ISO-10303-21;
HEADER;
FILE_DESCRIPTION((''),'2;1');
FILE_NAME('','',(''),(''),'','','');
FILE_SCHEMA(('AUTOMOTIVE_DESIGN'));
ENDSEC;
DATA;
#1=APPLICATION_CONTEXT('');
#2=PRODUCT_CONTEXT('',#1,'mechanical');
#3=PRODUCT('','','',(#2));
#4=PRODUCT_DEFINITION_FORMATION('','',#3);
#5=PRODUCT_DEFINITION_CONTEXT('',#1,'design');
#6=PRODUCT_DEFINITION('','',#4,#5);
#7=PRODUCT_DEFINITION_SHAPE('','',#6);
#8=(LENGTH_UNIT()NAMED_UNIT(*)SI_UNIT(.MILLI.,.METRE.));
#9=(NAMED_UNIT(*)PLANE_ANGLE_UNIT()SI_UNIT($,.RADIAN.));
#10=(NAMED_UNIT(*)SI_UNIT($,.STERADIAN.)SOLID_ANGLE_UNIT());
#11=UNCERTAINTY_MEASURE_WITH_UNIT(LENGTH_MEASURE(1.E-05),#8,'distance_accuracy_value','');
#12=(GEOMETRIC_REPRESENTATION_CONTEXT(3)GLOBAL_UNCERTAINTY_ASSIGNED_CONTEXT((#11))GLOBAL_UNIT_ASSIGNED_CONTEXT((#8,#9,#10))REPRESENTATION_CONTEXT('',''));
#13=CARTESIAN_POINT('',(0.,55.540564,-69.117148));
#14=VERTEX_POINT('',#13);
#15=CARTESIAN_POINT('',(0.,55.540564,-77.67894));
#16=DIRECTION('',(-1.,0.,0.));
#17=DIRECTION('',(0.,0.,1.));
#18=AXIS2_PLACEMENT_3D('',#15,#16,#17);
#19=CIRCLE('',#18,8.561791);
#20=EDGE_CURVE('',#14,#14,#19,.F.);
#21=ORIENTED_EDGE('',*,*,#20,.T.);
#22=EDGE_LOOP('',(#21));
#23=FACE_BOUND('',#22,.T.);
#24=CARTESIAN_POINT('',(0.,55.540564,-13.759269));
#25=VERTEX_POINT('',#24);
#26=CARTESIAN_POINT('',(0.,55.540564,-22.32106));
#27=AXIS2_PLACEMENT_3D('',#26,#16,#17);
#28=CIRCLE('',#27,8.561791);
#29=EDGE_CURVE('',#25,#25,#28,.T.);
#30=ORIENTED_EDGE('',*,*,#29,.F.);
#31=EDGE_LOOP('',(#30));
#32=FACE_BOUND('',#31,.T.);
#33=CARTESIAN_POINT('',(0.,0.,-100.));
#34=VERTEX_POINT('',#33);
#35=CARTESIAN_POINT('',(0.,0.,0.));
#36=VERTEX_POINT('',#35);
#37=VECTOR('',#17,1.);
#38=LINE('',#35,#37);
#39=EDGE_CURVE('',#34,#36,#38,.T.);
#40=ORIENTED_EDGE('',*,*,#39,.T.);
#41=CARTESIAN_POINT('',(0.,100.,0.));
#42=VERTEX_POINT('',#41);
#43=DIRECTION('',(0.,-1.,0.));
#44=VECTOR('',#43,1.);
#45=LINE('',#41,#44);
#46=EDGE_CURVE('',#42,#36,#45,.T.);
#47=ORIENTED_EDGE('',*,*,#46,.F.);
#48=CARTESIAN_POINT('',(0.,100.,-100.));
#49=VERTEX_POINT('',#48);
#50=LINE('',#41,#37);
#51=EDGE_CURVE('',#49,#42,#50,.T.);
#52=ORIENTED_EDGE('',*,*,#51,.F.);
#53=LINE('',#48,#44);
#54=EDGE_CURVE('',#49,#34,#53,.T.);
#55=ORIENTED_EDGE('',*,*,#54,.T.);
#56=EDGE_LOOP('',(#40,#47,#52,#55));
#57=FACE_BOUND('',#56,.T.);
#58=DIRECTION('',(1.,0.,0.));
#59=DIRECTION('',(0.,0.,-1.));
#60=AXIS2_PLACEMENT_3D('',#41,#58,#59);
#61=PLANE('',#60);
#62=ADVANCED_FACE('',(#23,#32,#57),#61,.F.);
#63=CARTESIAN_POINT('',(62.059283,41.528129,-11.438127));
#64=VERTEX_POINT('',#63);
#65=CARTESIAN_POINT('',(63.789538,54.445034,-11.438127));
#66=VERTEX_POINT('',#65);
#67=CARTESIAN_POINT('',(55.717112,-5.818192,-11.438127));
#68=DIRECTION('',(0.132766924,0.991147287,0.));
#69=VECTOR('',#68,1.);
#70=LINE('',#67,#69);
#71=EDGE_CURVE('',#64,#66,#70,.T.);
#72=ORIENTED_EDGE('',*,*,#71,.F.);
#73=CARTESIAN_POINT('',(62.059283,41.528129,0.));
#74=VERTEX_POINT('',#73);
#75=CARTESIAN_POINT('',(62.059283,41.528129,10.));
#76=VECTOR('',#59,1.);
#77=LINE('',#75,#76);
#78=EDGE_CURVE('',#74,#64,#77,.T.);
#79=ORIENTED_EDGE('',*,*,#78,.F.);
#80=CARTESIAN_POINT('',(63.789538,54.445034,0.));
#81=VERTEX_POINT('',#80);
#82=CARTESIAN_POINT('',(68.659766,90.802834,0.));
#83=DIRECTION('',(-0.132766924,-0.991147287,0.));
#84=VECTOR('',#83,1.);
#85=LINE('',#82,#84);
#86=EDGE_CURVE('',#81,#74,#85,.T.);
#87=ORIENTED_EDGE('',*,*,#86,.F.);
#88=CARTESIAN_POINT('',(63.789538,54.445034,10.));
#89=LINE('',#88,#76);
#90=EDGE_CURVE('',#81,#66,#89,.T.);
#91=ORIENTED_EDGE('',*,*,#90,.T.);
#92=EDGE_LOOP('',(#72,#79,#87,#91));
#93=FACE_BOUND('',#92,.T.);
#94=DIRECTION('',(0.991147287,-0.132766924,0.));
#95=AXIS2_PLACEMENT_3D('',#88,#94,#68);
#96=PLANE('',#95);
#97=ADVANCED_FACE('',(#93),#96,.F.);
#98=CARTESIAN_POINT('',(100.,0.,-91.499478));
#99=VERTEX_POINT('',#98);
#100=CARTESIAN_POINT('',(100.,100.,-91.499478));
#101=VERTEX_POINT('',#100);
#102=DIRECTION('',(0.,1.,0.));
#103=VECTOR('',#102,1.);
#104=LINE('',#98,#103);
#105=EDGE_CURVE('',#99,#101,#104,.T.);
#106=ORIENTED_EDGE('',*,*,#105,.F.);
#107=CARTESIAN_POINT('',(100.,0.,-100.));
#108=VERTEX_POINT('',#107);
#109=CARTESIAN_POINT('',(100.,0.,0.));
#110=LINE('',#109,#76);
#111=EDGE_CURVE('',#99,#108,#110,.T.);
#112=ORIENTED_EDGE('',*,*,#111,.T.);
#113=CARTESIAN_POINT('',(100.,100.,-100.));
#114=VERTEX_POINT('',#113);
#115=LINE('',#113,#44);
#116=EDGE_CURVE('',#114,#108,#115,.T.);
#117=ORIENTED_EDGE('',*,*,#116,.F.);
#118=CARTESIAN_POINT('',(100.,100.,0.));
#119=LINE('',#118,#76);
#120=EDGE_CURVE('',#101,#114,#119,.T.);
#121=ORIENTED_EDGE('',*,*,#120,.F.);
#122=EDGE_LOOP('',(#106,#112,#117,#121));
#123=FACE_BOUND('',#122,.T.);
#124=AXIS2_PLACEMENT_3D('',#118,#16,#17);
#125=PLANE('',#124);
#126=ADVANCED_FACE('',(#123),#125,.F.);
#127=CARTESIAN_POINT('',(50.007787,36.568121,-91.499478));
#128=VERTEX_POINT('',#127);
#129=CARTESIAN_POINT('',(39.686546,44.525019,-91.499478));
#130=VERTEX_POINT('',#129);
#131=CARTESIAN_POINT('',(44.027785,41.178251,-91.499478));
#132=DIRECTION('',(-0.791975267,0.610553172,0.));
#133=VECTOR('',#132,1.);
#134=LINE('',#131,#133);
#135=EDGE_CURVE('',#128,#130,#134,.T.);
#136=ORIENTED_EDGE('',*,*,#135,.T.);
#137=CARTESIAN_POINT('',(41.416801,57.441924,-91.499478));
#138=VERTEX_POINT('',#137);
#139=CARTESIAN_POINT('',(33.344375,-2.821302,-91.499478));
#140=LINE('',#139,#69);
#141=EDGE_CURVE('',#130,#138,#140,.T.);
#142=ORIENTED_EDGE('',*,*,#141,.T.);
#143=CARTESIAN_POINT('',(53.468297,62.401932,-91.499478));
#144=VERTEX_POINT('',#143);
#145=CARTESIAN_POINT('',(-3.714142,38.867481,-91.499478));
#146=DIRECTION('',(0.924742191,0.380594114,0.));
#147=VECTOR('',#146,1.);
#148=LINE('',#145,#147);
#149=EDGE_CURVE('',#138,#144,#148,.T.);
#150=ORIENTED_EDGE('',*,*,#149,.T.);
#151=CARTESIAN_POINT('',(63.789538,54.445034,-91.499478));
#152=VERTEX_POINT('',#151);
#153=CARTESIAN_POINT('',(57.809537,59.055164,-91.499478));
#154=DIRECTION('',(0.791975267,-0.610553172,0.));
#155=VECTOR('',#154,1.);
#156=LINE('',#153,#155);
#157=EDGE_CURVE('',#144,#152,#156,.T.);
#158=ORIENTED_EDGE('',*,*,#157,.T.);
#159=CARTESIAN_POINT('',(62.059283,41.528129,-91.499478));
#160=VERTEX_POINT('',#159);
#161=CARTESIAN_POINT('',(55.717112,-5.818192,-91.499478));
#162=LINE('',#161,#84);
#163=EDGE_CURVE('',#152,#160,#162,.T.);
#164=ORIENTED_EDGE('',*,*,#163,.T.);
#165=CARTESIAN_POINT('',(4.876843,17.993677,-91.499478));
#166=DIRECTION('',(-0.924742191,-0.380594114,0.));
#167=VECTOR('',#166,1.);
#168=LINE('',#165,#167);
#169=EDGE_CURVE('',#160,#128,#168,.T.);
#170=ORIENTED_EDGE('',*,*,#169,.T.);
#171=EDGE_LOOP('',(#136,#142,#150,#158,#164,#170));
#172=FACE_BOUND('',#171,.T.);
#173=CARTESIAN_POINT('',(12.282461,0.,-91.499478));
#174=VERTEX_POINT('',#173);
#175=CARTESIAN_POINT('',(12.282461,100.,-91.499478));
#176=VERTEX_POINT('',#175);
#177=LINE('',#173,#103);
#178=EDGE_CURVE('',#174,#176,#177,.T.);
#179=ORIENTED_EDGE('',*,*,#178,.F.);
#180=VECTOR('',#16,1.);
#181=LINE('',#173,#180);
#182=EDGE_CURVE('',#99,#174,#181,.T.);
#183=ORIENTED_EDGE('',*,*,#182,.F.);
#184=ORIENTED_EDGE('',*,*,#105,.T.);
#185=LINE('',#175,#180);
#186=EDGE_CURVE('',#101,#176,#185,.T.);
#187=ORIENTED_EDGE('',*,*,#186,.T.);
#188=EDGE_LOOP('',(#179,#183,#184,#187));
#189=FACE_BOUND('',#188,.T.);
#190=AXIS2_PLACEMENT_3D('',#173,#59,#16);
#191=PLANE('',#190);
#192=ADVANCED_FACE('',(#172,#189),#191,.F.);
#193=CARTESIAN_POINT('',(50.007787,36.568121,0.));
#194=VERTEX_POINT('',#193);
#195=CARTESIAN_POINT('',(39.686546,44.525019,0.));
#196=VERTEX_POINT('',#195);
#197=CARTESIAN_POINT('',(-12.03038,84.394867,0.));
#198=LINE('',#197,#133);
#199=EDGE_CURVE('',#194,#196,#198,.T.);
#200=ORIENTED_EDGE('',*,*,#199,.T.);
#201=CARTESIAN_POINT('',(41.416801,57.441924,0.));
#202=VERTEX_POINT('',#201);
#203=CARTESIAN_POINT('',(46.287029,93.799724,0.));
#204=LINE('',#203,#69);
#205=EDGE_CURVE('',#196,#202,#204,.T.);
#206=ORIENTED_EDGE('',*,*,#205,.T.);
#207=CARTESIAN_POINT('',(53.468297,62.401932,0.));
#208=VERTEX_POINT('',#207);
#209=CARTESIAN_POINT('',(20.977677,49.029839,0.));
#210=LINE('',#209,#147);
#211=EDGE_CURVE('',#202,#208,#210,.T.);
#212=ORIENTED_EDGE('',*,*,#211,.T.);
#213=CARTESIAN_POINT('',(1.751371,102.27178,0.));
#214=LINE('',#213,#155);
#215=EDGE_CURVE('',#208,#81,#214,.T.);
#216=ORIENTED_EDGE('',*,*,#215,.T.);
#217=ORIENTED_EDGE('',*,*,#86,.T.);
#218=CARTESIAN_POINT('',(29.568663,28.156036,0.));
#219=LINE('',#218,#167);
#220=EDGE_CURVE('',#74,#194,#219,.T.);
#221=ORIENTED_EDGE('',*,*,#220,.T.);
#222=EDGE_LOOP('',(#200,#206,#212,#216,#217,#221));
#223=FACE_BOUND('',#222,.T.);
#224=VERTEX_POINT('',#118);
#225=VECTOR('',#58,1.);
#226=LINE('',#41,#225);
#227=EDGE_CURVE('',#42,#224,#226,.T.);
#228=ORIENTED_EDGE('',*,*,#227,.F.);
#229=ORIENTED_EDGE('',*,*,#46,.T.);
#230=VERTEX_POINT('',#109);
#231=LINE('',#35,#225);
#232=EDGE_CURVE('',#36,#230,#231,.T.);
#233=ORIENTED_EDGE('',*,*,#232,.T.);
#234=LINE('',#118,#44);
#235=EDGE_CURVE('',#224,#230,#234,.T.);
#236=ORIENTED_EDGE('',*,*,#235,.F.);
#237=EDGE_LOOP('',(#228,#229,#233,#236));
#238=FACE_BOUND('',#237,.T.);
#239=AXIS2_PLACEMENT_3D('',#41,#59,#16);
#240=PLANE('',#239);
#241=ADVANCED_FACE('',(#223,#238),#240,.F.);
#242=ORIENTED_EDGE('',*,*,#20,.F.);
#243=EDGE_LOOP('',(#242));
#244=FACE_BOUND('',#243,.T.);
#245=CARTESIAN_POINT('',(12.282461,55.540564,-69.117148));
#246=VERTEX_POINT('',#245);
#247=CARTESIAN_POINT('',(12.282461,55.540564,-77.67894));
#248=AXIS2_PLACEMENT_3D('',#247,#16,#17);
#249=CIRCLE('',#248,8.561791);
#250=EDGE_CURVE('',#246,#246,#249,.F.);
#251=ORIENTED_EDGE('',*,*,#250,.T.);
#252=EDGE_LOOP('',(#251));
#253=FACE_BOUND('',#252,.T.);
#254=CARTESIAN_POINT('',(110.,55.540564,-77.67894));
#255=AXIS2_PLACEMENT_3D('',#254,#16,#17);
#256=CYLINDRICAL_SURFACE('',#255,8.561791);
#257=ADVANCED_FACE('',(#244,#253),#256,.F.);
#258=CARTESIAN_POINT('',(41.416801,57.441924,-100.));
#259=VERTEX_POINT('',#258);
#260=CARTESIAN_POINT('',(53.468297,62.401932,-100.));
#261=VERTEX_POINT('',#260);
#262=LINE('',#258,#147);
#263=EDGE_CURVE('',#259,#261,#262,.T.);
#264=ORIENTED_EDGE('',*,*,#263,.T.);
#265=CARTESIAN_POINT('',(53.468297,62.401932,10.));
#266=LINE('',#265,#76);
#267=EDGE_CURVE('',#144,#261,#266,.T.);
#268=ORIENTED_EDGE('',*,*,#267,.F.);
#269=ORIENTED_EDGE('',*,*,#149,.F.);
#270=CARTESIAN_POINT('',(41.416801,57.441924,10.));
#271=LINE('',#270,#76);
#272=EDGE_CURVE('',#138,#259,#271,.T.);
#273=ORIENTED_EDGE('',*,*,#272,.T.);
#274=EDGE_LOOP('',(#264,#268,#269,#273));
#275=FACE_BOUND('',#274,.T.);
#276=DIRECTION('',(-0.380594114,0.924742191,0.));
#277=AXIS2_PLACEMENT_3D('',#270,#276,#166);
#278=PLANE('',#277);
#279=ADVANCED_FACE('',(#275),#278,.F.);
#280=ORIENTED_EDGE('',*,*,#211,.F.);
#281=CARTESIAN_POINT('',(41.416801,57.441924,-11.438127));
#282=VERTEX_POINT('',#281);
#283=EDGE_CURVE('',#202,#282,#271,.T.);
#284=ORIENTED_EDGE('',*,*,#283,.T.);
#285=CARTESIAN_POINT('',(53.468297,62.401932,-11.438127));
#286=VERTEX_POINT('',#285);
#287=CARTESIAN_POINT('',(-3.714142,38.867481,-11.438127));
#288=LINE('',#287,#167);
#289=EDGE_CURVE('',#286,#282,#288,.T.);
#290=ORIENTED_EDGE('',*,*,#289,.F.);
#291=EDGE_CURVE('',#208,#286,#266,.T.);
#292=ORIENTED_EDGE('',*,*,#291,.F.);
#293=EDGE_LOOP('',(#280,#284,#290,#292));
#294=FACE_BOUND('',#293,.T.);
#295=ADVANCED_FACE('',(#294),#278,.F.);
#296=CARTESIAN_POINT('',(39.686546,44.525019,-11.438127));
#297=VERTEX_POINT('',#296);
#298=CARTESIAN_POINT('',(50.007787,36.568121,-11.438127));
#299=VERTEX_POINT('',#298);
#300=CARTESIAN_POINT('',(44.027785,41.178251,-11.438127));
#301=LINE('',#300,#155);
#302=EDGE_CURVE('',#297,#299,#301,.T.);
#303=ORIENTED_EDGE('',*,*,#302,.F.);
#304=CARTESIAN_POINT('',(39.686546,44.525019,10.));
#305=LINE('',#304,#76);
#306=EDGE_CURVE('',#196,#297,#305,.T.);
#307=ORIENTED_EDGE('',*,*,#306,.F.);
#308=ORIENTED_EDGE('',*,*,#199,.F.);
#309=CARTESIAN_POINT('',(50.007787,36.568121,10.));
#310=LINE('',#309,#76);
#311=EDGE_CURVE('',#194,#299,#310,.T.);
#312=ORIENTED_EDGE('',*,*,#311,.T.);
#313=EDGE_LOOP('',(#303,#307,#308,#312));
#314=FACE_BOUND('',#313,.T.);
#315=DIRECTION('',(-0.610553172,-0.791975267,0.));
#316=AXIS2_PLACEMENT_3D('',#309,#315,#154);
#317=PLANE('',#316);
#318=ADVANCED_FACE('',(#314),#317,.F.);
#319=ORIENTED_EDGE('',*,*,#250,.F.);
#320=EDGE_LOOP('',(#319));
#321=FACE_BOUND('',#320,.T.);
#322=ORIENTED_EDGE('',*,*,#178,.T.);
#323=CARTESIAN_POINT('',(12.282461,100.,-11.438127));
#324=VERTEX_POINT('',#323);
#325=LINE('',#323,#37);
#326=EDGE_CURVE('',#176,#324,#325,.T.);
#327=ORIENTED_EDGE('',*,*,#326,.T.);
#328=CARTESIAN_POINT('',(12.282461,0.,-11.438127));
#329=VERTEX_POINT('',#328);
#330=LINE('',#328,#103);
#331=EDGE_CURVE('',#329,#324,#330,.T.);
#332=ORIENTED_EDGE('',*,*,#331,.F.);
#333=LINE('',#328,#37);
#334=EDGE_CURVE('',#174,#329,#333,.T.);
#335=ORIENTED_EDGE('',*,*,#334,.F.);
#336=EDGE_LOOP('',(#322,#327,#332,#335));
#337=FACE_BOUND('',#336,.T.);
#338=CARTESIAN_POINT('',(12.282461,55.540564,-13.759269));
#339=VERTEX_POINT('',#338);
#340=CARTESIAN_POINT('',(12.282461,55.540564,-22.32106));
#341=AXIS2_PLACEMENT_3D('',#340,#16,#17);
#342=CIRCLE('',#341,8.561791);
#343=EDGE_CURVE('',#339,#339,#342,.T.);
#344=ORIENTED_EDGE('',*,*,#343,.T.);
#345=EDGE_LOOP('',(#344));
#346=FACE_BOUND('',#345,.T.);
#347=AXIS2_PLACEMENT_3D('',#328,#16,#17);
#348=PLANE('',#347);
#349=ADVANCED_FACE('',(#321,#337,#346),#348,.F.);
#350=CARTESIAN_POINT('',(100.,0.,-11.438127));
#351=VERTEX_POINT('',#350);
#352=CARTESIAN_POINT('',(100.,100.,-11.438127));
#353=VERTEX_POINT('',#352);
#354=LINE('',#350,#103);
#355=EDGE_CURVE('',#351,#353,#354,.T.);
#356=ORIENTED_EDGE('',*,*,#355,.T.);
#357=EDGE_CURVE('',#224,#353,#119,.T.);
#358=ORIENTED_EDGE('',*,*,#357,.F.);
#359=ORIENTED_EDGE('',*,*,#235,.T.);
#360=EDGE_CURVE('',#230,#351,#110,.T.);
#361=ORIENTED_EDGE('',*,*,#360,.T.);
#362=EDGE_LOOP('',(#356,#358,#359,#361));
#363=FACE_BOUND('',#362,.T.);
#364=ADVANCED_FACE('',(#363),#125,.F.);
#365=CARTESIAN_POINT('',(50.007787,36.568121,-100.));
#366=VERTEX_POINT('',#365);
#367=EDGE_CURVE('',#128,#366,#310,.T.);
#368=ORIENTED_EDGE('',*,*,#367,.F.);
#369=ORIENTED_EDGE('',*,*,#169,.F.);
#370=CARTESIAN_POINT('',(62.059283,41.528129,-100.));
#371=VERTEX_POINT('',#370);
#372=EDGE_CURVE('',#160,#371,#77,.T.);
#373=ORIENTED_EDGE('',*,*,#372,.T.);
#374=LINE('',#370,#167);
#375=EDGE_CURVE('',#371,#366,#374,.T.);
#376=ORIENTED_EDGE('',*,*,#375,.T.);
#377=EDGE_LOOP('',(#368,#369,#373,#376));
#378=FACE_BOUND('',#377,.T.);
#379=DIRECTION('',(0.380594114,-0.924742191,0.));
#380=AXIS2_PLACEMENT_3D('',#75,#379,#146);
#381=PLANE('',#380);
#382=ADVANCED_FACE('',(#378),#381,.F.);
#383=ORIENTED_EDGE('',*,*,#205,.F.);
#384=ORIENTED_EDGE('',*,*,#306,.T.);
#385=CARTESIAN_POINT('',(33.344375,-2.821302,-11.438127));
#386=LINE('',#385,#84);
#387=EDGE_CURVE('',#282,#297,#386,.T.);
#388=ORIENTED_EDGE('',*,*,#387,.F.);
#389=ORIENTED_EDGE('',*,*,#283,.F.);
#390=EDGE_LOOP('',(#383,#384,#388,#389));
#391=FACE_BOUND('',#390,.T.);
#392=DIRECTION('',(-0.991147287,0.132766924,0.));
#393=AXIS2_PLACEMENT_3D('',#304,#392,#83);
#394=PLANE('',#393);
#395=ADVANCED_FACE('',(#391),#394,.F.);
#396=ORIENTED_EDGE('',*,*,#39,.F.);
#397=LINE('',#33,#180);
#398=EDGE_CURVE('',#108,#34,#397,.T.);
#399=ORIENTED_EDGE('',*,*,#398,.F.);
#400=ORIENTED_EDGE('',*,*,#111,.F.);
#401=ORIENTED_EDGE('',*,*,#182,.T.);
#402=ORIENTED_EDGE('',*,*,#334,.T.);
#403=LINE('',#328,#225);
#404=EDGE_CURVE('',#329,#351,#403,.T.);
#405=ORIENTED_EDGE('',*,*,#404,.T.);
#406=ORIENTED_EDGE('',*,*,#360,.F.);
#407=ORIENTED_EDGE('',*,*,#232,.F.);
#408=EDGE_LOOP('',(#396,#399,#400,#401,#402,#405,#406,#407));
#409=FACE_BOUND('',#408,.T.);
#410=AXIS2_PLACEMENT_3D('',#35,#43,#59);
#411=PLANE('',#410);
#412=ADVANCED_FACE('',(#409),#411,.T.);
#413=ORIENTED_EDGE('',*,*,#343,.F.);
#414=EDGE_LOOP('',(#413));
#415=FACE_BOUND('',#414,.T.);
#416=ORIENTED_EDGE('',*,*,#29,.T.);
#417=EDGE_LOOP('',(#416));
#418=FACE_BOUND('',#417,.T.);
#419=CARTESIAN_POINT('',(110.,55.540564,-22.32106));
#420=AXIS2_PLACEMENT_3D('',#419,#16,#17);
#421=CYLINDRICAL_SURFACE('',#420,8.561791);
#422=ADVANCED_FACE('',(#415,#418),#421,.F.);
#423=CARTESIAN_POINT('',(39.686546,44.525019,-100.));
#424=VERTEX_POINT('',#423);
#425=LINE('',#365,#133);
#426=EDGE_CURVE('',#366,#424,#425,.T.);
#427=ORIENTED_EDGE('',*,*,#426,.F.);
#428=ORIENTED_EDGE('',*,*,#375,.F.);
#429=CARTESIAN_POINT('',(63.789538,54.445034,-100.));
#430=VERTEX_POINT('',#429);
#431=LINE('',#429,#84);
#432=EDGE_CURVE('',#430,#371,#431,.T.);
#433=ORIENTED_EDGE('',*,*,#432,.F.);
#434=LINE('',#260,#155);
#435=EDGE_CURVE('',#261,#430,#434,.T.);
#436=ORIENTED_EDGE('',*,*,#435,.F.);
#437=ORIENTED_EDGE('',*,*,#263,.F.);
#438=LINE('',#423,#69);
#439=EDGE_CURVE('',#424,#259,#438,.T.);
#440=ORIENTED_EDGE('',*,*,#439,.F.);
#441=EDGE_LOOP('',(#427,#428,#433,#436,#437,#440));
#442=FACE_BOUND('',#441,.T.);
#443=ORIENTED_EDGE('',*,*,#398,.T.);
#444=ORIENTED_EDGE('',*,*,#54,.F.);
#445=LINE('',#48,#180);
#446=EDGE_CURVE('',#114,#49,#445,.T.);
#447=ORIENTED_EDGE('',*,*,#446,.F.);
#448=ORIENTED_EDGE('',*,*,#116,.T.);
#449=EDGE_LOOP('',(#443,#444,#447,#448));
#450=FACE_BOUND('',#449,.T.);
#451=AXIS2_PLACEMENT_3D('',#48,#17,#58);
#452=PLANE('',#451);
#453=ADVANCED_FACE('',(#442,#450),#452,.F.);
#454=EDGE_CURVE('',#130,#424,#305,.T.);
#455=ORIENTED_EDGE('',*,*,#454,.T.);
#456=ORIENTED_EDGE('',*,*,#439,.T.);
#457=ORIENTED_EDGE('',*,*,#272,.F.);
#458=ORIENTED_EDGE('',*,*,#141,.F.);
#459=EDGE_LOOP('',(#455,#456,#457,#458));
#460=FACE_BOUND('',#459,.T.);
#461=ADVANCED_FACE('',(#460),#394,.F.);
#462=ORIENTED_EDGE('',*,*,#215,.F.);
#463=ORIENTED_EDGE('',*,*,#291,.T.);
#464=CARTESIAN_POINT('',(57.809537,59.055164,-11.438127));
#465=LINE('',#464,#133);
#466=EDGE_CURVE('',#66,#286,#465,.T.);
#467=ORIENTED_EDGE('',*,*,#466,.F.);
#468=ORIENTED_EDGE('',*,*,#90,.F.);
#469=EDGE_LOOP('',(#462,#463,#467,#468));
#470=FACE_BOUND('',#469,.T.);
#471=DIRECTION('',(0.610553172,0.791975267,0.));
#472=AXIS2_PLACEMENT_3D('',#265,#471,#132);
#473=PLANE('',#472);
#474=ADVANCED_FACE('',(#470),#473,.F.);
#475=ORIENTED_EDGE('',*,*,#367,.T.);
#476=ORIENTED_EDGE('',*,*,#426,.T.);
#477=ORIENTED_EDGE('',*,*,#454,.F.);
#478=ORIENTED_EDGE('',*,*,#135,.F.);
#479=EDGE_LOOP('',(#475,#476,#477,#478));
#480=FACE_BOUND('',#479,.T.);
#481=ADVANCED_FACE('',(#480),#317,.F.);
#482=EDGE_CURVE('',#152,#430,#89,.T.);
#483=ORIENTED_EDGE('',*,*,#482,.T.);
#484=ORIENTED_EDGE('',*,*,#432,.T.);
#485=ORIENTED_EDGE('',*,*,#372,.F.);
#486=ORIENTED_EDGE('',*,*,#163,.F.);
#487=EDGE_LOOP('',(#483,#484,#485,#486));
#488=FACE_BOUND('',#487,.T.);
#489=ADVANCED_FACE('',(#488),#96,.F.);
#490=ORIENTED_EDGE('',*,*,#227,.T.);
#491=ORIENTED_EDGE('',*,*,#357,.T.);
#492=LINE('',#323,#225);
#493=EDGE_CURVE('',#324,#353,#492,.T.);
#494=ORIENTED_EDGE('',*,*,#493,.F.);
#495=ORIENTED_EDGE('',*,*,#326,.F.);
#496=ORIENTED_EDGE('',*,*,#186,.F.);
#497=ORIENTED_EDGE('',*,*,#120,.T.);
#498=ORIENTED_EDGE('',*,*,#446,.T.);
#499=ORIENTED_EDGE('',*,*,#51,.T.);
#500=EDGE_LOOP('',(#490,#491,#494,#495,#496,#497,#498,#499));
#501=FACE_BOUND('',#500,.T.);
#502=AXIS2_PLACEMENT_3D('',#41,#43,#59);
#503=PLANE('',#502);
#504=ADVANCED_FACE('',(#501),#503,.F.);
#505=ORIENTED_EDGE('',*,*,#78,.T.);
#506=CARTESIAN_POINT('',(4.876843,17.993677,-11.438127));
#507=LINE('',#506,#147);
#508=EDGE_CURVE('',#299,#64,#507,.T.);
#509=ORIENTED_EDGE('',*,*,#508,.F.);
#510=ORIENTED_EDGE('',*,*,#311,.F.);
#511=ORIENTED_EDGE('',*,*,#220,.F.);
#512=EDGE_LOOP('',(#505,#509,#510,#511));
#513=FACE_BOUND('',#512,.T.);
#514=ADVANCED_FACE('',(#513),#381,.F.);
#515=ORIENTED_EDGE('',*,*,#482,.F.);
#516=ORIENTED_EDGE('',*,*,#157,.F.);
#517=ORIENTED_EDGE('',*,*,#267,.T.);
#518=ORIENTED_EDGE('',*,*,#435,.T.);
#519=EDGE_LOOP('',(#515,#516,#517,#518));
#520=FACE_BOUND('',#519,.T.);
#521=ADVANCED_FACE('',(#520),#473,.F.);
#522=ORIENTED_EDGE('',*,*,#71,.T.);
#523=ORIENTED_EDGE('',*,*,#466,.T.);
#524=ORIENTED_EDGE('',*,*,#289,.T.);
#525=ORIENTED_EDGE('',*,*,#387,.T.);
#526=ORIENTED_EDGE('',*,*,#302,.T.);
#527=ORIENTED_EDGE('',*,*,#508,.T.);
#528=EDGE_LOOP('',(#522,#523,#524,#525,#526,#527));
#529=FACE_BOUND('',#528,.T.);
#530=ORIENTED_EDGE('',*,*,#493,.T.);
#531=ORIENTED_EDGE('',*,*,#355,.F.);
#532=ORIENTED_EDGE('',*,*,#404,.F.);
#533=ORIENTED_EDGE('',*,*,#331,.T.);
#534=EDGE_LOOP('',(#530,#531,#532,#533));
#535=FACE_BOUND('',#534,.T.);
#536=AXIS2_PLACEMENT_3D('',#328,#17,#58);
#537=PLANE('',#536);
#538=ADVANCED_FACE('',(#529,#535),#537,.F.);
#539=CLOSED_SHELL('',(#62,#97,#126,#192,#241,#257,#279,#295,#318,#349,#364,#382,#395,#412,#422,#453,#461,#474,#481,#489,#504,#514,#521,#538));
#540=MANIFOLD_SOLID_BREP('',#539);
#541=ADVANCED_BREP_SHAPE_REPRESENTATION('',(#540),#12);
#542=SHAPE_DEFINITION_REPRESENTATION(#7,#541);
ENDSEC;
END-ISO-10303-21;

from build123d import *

# Parameters (mm, degrees)
SKETCH1_W           = 100
SKETCH1_H           = 100
BOSS_EXTRUDE1_DEPTH = 100
SKETCH2_W           = 87.717538768
SKETCH2_H           = 80.061351375
CUT_EXTRUDE1_DEPTH  = 100
CUT_EXTRUDE2_DEPTH  = 110
SKETCH4_R           = 8.561791054
CUT_EXTRUDE3_DEPTH  = 110


with BuildPart() as part:
    # Sketch1 → Boss-Extrude1 (new body)
    with BuildSketch(Plane(origin=(0, 0, 0), x_dir=(1, 0, 0), z_dir=(0, 1, 0))):
        with Locations((50, 50)):
            Rectangle(SKETCH1_W, SKETCH1_H)
    extrude(amount=BOSS_EXTRUDE1_DEPTH)

    # Sketch2 → Cut-Extrude1 (cut)
    with BuildSketch(Plane(origin=(0, 100, 0), x_dir=(1, 0, 0), z_dir=(0, 1, 0))):
        with Locations((56.141230616, 51.468802688)):
            Rectangle(SKETCH2_W, SKETCH2_H)
    extrude(amount=-CUT_EXTRUDE1_DEPTH, mode=Mode.SUBTRACT)

    # Sketch3 → Cut-Extrude2 (cut)
    with BuildSketch(Plane(origin=(0, 0, -100), x_dir=(-1, 0, 0), z_dir=(0, 0, -1))):
        Polygon((-39.686546089, 44.525018682), (-41.416801354, 57.44192417), (-53.468297277, 62.401931899), (-63.789537935, 54.44503414), (-62.05928267, 41.528128652), (-50.007786746, 36.568120923), align=None)
    extrude(amount=-CUT_EXTRUDE2_DEPTH, mode=Mode.SUBTRACT)

    # Sketch4 → Cut-Extrude3 (cut)
    with BuildSketch(Plane.ZY):
        with Locations((-77.678939526, 55.540564347)):
            Circle(SKETCH4_R)
        with Locations((-22.321060474, 55.540564347)):
            Circle(SKETCH4_R)
    extrude(amount=-CUT_EXTRUDE3_DEPTH, mode=Mode.SUBTRACT)


solid = part.part
